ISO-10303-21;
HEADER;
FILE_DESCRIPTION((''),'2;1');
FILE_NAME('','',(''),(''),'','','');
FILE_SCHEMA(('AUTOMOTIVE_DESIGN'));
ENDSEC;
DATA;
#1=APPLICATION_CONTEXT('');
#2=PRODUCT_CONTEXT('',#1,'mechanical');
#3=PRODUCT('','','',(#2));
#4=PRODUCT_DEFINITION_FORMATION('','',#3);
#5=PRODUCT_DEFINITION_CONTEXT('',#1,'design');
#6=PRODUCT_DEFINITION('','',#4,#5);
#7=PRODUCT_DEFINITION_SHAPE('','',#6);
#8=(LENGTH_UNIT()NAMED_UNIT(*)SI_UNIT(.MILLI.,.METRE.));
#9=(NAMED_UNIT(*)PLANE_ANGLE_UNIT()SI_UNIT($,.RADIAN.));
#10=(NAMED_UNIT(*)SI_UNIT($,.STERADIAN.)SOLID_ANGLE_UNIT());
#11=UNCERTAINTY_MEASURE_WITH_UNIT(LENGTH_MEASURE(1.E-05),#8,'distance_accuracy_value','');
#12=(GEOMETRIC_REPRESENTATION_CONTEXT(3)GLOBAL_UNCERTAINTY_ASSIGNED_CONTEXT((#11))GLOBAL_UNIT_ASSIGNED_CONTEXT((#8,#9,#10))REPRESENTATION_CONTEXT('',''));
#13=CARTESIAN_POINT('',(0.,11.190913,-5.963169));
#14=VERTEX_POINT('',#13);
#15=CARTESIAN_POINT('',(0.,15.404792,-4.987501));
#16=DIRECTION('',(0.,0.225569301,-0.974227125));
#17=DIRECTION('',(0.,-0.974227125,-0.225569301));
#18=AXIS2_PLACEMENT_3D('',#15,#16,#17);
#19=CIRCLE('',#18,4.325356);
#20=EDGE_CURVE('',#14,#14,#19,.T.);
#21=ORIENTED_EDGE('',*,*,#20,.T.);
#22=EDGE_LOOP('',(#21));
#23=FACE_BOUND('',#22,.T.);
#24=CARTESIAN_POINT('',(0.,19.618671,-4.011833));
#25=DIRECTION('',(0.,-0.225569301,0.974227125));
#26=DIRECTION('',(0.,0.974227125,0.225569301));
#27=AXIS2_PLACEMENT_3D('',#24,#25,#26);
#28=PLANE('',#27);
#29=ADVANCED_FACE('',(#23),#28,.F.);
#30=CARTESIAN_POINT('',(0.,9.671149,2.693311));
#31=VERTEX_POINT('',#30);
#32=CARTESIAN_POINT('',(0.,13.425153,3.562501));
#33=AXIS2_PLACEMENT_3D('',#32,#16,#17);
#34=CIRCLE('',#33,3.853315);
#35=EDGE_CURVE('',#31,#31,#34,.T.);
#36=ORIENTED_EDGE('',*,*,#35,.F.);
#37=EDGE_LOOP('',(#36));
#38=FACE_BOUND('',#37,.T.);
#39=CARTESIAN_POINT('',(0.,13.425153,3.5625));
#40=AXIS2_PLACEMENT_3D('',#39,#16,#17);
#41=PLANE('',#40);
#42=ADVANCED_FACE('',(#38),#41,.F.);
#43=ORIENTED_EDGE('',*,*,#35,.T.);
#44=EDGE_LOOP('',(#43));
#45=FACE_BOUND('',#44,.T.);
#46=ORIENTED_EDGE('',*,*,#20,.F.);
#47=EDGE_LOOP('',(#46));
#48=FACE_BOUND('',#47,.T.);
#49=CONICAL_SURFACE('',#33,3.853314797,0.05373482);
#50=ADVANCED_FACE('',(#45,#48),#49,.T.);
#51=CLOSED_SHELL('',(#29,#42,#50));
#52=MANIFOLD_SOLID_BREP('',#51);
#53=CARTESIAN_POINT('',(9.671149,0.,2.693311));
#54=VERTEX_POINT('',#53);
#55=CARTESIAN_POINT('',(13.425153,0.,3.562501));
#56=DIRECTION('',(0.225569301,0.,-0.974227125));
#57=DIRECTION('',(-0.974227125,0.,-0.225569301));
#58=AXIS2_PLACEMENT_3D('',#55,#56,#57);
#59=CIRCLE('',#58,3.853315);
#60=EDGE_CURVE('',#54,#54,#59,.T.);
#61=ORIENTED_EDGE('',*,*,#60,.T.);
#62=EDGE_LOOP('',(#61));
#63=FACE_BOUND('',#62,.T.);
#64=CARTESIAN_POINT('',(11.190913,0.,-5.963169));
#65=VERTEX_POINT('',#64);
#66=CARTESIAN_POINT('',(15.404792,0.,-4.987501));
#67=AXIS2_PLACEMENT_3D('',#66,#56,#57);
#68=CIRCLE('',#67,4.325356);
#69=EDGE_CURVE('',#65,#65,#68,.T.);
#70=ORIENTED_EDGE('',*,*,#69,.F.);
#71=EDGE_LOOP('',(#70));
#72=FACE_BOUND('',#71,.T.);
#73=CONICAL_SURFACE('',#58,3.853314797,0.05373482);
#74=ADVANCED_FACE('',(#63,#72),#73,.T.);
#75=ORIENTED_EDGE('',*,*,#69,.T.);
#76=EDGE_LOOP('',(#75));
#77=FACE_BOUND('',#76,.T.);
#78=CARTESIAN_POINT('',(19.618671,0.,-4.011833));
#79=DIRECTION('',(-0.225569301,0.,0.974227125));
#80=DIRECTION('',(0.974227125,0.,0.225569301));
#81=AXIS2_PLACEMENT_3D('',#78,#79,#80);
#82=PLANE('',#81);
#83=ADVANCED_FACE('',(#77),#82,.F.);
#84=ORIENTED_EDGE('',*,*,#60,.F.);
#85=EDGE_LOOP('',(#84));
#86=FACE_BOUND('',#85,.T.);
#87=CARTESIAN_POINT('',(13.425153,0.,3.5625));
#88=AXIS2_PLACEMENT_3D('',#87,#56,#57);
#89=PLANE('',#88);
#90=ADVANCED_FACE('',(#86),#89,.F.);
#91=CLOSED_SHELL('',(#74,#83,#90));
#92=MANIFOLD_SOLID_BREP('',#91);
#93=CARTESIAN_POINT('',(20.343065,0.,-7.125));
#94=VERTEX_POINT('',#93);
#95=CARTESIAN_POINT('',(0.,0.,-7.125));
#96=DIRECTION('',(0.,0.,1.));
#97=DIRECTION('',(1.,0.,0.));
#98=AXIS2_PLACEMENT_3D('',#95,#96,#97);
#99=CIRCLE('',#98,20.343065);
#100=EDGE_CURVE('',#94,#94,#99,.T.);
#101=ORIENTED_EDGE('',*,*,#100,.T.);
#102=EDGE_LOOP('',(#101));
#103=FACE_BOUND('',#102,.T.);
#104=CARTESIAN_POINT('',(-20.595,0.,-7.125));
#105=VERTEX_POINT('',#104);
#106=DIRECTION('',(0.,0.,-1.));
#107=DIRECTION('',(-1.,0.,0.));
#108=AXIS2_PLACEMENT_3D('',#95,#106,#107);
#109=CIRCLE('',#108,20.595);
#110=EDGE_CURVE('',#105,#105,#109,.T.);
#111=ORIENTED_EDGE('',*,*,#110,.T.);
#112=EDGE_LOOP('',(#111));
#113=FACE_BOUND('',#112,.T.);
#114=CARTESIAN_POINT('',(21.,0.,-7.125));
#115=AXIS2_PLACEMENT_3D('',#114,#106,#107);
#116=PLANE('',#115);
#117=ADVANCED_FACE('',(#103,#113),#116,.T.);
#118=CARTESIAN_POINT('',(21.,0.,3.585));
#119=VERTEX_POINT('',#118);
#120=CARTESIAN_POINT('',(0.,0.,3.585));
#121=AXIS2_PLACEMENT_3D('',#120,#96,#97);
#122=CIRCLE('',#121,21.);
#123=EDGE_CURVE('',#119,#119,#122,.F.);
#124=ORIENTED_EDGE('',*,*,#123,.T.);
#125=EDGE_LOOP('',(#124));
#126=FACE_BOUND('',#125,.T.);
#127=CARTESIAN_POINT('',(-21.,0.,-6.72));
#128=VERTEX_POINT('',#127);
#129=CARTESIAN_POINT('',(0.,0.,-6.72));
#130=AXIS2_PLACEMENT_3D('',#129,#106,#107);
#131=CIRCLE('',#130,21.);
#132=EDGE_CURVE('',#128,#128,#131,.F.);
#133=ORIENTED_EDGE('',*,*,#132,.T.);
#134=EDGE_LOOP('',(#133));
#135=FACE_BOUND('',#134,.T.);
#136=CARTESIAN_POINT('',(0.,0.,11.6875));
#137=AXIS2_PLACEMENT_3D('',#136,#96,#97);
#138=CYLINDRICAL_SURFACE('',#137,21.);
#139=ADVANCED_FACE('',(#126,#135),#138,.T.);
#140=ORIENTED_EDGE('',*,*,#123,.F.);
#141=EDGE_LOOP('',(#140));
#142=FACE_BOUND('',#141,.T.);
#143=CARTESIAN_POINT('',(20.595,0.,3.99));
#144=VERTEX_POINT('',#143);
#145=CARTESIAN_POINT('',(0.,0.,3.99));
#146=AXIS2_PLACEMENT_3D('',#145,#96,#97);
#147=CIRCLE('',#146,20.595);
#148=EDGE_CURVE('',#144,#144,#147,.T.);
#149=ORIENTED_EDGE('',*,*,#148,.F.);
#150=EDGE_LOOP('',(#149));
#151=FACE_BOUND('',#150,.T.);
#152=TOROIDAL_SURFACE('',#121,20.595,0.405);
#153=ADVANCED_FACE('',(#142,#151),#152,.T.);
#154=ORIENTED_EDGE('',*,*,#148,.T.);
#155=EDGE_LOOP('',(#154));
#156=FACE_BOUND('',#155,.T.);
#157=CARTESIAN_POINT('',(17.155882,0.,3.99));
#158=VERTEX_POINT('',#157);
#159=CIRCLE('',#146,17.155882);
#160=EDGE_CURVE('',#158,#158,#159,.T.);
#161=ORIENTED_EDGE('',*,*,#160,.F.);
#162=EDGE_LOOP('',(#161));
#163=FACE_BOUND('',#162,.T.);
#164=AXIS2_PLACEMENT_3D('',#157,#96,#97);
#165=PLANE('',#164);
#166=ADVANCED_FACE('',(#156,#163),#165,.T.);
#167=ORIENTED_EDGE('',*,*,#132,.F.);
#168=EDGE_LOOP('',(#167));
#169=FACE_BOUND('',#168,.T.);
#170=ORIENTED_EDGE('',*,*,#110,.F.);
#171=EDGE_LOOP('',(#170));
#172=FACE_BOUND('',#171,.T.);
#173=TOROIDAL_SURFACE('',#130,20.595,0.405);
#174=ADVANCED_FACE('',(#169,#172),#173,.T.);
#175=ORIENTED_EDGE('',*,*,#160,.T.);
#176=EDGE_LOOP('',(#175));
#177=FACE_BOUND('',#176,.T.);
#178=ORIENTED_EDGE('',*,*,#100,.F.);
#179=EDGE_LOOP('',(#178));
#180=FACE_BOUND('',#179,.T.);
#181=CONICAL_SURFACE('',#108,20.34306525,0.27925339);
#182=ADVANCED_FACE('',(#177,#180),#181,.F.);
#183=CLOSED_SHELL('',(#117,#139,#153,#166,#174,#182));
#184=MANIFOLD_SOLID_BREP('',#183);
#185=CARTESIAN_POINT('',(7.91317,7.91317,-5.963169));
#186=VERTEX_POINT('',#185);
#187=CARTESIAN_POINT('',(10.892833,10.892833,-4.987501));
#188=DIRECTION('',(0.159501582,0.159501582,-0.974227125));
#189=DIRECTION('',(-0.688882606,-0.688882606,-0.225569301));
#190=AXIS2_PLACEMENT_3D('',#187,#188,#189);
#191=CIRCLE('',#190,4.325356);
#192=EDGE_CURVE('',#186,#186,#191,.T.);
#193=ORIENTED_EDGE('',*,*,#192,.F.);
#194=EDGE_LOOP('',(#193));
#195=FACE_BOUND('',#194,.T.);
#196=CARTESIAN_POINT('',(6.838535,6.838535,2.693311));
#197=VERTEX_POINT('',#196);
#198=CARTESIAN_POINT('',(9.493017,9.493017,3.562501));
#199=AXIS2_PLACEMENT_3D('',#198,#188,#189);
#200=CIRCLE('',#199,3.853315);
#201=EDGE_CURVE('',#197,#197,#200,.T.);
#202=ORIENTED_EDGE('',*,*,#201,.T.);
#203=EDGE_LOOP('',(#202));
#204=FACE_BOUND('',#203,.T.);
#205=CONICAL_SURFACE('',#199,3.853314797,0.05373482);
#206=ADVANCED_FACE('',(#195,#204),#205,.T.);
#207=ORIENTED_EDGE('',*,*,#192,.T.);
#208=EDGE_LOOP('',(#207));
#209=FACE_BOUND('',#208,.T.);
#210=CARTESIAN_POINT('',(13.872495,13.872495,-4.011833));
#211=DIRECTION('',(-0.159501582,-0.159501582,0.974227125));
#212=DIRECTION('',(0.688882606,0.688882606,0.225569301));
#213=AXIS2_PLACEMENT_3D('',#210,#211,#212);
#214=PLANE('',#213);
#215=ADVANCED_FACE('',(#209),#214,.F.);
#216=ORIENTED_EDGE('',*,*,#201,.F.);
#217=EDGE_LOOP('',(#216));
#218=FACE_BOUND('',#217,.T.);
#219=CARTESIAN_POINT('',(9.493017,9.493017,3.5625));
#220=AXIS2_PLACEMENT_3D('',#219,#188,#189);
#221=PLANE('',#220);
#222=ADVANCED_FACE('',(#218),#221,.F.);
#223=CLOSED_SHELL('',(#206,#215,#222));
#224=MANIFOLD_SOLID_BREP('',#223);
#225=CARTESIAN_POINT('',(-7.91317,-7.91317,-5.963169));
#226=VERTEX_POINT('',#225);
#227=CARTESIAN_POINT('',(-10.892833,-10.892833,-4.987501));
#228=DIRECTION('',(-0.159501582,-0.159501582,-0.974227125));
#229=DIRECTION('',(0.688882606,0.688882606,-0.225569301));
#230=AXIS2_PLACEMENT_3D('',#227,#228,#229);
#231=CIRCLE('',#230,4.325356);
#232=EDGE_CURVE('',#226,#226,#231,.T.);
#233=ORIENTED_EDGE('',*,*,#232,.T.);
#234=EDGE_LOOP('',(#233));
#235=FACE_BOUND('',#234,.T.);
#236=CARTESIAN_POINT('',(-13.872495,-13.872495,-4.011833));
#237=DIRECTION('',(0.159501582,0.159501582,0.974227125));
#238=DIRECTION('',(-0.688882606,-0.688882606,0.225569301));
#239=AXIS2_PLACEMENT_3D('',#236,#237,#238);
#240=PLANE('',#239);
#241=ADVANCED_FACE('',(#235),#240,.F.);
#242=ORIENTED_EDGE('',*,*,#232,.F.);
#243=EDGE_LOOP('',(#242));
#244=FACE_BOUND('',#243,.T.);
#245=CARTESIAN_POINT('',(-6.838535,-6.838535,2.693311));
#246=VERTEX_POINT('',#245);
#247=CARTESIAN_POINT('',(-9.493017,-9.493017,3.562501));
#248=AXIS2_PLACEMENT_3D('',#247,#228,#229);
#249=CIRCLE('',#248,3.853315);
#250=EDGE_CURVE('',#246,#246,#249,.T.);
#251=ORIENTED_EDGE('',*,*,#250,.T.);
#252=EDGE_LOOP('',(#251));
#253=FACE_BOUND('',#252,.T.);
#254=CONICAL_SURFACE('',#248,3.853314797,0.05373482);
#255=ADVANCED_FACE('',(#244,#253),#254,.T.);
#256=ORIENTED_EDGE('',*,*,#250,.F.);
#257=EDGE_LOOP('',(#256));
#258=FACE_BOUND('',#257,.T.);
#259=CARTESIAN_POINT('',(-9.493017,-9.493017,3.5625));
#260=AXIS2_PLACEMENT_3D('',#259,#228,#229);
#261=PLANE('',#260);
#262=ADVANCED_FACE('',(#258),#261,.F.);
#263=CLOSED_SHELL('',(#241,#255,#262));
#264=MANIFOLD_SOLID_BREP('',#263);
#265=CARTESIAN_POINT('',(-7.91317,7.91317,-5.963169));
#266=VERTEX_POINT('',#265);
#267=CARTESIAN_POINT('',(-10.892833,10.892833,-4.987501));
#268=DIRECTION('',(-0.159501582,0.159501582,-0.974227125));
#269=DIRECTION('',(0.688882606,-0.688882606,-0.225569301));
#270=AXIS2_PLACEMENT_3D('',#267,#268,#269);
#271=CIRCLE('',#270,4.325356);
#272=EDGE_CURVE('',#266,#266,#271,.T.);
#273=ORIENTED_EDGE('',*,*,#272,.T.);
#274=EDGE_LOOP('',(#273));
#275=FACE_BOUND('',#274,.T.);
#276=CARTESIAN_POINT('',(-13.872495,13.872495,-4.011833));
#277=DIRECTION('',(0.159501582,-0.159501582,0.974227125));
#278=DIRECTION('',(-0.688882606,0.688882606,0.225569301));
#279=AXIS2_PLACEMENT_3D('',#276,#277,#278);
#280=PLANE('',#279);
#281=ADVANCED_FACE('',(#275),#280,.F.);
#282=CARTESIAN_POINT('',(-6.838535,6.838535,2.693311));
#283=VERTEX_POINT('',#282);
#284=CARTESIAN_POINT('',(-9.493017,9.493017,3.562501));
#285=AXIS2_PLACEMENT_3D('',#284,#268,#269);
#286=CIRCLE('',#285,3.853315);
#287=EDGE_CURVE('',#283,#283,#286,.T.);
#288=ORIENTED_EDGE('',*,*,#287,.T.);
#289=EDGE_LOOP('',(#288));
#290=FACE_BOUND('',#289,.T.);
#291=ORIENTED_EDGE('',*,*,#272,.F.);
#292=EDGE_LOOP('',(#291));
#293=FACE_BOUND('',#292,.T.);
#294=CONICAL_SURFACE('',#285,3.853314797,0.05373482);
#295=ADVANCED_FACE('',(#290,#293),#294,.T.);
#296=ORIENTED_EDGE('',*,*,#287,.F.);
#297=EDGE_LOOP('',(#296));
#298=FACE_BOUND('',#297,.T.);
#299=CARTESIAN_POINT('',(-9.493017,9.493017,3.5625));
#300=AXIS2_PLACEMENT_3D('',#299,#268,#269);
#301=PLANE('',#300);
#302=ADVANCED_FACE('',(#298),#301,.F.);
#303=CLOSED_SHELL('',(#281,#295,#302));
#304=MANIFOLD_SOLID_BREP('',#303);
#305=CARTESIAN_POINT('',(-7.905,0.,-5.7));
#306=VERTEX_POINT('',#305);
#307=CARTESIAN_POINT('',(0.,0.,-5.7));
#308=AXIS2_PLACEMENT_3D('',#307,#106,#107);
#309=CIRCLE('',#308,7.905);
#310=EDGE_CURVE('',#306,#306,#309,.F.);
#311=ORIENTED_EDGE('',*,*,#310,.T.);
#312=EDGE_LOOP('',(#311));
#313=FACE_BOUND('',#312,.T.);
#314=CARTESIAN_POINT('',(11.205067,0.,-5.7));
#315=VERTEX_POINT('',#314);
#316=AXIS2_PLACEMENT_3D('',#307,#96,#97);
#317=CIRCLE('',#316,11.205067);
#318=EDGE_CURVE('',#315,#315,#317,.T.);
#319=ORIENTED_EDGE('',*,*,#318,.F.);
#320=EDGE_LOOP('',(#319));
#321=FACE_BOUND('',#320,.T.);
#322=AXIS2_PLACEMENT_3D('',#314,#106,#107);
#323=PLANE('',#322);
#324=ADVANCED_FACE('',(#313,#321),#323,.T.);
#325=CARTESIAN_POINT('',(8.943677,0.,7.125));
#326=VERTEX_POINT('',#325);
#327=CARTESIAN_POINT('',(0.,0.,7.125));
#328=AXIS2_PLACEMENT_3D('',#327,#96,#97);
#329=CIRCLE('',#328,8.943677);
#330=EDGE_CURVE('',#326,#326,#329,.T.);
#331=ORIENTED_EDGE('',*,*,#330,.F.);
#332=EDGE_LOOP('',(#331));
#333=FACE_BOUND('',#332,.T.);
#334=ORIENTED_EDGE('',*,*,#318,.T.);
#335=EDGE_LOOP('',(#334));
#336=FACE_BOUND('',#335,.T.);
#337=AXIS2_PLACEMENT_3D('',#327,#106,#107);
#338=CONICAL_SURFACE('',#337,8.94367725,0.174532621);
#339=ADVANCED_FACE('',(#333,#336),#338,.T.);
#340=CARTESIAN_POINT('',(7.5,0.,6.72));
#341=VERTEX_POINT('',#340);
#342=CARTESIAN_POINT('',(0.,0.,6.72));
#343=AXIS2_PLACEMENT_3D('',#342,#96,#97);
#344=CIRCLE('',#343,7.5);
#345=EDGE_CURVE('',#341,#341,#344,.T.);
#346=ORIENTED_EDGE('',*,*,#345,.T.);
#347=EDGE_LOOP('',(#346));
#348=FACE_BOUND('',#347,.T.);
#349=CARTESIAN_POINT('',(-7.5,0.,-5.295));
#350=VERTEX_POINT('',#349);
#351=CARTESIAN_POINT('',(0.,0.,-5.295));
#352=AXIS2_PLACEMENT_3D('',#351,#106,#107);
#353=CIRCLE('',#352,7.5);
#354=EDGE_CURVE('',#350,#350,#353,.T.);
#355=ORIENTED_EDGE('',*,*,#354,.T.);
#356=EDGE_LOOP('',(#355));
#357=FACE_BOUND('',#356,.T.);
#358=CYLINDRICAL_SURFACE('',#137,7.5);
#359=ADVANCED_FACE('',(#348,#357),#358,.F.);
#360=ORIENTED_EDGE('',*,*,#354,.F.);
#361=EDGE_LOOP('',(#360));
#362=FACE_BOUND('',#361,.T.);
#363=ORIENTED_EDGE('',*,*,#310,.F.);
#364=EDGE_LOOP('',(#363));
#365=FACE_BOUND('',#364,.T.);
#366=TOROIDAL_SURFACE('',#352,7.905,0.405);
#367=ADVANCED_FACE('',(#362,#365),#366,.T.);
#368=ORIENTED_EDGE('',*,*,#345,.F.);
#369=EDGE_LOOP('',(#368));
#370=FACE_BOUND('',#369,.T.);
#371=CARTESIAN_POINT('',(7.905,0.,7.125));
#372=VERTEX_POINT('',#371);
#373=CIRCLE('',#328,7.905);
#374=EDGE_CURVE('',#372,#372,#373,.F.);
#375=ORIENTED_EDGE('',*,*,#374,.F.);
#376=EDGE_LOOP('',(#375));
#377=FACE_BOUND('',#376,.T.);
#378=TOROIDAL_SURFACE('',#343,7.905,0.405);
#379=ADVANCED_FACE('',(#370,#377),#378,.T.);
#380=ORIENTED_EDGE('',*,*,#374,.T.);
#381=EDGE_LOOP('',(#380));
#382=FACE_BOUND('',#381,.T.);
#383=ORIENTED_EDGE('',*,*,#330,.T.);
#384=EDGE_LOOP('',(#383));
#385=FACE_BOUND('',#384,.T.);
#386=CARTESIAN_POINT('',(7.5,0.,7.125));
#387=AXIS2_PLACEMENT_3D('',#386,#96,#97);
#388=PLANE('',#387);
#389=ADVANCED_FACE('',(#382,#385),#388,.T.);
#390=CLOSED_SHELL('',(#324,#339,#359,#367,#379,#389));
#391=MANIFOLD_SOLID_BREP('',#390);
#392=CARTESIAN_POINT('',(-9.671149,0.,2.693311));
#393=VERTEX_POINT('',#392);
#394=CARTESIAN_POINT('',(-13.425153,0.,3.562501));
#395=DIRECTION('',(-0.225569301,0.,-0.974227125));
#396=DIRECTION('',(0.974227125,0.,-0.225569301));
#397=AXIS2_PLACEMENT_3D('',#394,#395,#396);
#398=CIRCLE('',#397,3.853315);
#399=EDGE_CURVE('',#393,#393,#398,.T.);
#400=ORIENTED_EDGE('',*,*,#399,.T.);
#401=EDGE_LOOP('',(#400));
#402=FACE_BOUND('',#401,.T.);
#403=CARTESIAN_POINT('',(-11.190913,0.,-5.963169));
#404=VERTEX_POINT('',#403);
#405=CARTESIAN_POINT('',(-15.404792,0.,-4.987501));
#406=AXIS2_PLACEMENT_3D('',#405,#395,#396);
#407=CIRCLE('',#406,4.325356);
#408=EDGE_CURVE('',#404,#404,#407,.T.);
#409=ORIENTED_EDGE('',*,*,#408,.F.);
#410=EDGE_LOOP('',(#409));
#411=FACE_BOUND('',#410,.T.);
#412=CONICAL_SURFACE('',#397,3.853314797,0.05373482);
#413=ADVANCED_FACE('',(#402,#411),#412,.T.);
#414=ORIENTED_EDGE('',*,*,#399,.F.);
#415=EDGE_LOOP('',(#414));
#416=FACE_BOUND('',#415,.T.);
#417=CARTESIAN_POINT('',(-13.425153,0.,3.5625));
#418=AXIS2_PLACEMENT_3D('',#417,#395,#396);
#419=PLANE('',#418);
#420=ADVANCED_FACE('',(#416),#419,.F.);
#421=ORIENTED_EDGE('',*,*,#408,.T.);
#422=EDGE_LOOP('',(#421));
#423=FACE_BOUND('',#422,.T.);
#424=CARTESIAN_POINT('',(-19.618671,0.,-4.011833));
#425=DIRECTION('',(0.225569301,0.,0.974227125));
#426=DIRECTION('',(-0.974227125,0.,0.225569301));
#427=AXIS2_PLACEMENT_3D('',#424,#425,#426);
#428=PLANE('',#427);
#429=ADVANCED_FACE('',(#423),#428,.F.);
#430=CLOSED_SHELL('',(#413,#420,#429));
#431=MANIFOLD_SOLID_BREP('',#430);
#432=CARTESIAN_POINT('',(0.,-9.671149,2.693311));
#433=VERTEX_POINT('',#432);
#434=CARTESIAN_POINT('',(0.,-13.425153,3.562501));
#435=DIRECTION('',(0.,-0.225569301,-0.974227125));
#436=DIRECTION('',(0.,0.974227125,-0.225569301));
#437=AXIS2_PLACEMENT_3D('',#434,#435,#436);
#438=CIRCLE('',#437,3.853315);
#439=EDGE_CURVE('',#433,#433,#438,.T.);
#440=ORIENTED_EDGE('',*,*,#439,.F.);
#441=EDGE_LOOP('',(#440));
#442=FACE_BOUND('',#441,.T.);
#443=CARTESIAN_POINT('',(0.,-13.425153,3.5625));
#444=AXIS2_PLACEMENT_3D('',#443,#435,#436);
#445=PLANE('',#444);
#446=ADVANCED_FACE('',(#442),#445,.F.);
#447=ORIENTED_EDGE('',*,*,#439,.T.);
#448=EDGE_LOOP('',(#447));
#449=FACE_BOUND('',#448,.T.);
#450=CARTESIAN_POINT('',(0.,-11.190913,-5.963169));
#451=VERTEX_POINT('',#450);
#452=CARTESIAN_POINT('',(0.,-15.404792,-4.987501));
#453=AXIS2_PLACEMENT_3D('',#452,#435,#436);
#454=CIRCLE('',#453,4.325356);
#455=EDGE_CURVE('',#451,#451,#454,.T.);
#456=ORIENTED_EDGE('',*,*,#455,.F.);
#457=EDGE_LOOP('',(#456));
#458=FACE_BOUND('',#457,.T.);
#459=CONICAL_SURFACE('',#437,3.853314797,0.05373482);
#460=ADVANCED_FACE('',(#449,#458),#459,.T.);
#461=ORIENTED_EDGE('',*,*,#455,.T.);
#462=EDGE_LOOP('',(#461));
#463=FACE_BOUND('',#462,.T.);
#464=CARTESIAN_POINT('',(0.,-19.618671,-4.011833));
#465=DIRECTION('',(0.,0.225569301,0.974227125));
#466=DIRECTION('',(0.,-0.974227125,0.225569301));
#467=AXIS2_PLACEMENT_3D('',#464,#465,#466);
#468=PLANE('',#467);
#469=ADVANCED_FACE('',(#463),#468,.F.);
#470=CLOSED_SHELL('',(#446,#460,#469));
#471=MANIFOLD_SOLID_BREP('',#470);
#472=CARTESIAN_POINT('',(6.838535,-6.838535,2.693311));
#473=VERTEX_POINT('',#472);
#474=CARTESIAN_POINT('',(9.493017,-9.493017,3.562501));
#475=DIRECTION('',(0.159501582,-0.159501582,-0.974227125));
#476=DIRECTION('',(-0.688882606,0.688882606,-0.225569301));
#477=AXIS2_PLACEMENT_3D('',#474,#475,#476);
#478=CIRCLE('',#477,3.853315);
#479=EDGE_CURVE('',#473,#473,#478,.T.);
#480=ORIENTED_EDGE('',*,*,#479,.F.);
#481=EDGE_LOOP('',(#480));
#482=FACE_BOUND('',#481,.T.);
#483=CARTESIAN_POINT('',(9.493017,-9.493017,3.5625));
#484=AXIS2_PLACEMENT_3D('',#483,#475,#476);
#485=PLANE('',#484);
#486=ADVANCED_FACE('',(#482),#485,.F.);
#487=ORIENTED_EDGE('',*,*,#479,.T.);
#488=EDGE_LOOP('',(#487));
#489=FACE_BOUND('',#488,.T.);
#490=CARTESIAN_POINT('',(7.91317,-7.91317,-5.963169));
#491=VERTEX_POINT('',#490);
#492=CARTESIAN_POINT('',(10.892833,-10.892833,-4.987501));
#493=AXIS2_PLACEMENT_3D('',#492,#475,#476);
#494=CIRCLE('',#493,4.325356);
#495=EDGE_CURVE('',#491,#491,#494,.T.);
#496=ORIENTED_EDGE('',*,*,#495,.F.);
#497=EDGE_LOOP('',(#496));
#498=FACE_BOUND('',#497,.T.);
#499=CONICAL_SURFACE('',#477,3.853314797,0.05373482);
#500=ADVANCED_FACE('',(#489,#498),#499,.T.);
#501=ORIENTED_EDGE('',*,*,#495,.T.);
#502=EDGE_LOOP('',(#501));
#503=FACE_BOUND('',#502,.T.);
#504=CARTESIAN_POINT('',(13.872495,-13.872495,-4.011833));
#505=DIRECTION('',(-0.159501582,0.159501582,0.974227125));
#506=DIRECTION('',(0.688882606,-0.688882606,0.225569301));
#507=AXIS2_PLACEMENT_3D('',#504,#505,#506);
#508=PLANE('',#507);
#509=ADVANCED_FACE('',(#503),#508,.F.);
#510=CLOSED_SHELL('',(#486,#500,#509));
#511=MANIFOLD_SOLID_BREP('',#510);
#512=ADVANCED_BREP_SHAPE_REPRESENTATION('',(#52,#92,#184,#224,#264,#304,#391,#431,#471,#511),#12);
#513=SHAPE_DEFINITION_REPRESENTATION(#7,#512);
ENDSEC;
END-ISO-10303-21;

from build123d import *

# Parameters (mm, degrees)
ROLLERSPATTERN_COUNT = 8
FILLET_F1_R          = 0.405
FILLET_F2_R          = 0.405


with BuildPart() as part:
    # ConeS → Cone (revolve)
    with BuildSketch(Plane(origin=(0, 0, 0), x_dir=(1, 0, 0), z_dir=(0, 1, 0))):
        Polygon((7.5, -7.125), (8.94367725, -7.125), (11.20506675, 5.7), (7.5, 5.7), align=None)
    revolve(axis=Axis((0, 0, 11.6875), (0, 0, -1)))

    # Fillet F2
    fillet_f2_edges = [part.edges().sort_by_distance(p)[0] for p in [
        (-7.5, 0, -5.7),
        (-7.5, 0, 7.125),
    ]]
    fillet(fillet_f2_edges, radius=FILLET_F2_R)


with BuildPart() as body_2:
    # CupS → Cup (revolve)
    with BuildSketch(Plane(origin=(0, 0, 0), x_dir=(1, 0, 0), z_dir=(0, 1, 0))):
        Polygon((17.15588175, -3.99), (21, -3.99), (21, 7.125), (20.34306525, 7.125), align=None)
    revolve(axis=Axis((0, 0, 11.6875), (0, 0, -1)))

    # Fillet F1
    fillet_f1_edges = [body_2.edges().sort_by_distance(p)[0] for p in [
        (-21, 0, -7.125),
        (-21, 0, 3.99),
    ]]
    fillet(fillet_f1_edges, radius=FILLET_F1_R)


with BuildPart() as body_3:
    # RollerS → Roller (revolve)
    with BuildSketch(Plane(origin=(0, 0, 0), x_dir=(1, 0, 0), z_dir=(0, 1, 0))):
        Polygon((13.425153, -3.5625), (17.17915665, -4.43169015), (19.61867115, 4.01183385), (15.4047915, 4.9875), align=None)
    revolve(axis=Axis((15.4047915, 0, -4.9875), (-0.22556930102161163, 0, 0.9742271246668416)))


with BuildPart() as rollerspattern_1:
    # RollersPattern: pattern copy
    add(body_3.part.rotate(Axis((0, 0, -7.8375), (0, 0, 1)), 1 * 360 / ROLLERSPATTERN_COUNT))


with BuildPart() as rollerspattern_2:
    # RollersPattern: pattern copy
    add(body_3.part.rotate(Axis((0, 0, -7.8375), (0, 0, 1)), 2 * 360 / ROLLERSPATTERN_COUNT))


with BuildPart() as rollerspattern_3:
    # RollersPattern: pattern copy
    add(body_3.part.rotate(Axis((0, 0, -7.8375), (0, 0, 1)), 3 * 360 / ROLLERSPATTERN_COUNT))


with BuildPart() as rollerspattern_4:
    # RollersPattern: pattern copy
    add(body_3.part.rotate(Axis((0, 0, -7.8375), (0, 0, 1)), 4 * 360 / ROLLERSPATTERN_COUNT))


with BuildPart() as rollerspattern_5:
    # RollersPattern: pattern copy
    add(body_3.part.rotate(Axis((0, 0, -7.8375), (0, 0, 1)), 5 * 360 / ROLLERSPATTERN_COUNT))


with BuildPart() as rollerspattern_6:
    # RollersPattern: pattern copy
    add(body_3.part.rotate(Axis((0, 0, -7.8375), (0, 0, 1)), 6 * 360 / ROLLERSPATTERN_COUNT))


with BuildPart() as rollerspattern_7:
    # RollersPattern: pattern copy
    add(body_3.part.rotate(Axis((0, 0, -7.8375), (0, 0, 1)), 7 * 360 / ROLLERSPATTERN_COUNT))


solid = Compound([part.part, body_2.part, body_3.part, rollerspattern_1.part, rollerspattern_2.part, rollerspattern_3.part, rollerspattern_4.part, rollerspattern_5.part, rollerspattern_6.part, rollerspattern_7.part])
